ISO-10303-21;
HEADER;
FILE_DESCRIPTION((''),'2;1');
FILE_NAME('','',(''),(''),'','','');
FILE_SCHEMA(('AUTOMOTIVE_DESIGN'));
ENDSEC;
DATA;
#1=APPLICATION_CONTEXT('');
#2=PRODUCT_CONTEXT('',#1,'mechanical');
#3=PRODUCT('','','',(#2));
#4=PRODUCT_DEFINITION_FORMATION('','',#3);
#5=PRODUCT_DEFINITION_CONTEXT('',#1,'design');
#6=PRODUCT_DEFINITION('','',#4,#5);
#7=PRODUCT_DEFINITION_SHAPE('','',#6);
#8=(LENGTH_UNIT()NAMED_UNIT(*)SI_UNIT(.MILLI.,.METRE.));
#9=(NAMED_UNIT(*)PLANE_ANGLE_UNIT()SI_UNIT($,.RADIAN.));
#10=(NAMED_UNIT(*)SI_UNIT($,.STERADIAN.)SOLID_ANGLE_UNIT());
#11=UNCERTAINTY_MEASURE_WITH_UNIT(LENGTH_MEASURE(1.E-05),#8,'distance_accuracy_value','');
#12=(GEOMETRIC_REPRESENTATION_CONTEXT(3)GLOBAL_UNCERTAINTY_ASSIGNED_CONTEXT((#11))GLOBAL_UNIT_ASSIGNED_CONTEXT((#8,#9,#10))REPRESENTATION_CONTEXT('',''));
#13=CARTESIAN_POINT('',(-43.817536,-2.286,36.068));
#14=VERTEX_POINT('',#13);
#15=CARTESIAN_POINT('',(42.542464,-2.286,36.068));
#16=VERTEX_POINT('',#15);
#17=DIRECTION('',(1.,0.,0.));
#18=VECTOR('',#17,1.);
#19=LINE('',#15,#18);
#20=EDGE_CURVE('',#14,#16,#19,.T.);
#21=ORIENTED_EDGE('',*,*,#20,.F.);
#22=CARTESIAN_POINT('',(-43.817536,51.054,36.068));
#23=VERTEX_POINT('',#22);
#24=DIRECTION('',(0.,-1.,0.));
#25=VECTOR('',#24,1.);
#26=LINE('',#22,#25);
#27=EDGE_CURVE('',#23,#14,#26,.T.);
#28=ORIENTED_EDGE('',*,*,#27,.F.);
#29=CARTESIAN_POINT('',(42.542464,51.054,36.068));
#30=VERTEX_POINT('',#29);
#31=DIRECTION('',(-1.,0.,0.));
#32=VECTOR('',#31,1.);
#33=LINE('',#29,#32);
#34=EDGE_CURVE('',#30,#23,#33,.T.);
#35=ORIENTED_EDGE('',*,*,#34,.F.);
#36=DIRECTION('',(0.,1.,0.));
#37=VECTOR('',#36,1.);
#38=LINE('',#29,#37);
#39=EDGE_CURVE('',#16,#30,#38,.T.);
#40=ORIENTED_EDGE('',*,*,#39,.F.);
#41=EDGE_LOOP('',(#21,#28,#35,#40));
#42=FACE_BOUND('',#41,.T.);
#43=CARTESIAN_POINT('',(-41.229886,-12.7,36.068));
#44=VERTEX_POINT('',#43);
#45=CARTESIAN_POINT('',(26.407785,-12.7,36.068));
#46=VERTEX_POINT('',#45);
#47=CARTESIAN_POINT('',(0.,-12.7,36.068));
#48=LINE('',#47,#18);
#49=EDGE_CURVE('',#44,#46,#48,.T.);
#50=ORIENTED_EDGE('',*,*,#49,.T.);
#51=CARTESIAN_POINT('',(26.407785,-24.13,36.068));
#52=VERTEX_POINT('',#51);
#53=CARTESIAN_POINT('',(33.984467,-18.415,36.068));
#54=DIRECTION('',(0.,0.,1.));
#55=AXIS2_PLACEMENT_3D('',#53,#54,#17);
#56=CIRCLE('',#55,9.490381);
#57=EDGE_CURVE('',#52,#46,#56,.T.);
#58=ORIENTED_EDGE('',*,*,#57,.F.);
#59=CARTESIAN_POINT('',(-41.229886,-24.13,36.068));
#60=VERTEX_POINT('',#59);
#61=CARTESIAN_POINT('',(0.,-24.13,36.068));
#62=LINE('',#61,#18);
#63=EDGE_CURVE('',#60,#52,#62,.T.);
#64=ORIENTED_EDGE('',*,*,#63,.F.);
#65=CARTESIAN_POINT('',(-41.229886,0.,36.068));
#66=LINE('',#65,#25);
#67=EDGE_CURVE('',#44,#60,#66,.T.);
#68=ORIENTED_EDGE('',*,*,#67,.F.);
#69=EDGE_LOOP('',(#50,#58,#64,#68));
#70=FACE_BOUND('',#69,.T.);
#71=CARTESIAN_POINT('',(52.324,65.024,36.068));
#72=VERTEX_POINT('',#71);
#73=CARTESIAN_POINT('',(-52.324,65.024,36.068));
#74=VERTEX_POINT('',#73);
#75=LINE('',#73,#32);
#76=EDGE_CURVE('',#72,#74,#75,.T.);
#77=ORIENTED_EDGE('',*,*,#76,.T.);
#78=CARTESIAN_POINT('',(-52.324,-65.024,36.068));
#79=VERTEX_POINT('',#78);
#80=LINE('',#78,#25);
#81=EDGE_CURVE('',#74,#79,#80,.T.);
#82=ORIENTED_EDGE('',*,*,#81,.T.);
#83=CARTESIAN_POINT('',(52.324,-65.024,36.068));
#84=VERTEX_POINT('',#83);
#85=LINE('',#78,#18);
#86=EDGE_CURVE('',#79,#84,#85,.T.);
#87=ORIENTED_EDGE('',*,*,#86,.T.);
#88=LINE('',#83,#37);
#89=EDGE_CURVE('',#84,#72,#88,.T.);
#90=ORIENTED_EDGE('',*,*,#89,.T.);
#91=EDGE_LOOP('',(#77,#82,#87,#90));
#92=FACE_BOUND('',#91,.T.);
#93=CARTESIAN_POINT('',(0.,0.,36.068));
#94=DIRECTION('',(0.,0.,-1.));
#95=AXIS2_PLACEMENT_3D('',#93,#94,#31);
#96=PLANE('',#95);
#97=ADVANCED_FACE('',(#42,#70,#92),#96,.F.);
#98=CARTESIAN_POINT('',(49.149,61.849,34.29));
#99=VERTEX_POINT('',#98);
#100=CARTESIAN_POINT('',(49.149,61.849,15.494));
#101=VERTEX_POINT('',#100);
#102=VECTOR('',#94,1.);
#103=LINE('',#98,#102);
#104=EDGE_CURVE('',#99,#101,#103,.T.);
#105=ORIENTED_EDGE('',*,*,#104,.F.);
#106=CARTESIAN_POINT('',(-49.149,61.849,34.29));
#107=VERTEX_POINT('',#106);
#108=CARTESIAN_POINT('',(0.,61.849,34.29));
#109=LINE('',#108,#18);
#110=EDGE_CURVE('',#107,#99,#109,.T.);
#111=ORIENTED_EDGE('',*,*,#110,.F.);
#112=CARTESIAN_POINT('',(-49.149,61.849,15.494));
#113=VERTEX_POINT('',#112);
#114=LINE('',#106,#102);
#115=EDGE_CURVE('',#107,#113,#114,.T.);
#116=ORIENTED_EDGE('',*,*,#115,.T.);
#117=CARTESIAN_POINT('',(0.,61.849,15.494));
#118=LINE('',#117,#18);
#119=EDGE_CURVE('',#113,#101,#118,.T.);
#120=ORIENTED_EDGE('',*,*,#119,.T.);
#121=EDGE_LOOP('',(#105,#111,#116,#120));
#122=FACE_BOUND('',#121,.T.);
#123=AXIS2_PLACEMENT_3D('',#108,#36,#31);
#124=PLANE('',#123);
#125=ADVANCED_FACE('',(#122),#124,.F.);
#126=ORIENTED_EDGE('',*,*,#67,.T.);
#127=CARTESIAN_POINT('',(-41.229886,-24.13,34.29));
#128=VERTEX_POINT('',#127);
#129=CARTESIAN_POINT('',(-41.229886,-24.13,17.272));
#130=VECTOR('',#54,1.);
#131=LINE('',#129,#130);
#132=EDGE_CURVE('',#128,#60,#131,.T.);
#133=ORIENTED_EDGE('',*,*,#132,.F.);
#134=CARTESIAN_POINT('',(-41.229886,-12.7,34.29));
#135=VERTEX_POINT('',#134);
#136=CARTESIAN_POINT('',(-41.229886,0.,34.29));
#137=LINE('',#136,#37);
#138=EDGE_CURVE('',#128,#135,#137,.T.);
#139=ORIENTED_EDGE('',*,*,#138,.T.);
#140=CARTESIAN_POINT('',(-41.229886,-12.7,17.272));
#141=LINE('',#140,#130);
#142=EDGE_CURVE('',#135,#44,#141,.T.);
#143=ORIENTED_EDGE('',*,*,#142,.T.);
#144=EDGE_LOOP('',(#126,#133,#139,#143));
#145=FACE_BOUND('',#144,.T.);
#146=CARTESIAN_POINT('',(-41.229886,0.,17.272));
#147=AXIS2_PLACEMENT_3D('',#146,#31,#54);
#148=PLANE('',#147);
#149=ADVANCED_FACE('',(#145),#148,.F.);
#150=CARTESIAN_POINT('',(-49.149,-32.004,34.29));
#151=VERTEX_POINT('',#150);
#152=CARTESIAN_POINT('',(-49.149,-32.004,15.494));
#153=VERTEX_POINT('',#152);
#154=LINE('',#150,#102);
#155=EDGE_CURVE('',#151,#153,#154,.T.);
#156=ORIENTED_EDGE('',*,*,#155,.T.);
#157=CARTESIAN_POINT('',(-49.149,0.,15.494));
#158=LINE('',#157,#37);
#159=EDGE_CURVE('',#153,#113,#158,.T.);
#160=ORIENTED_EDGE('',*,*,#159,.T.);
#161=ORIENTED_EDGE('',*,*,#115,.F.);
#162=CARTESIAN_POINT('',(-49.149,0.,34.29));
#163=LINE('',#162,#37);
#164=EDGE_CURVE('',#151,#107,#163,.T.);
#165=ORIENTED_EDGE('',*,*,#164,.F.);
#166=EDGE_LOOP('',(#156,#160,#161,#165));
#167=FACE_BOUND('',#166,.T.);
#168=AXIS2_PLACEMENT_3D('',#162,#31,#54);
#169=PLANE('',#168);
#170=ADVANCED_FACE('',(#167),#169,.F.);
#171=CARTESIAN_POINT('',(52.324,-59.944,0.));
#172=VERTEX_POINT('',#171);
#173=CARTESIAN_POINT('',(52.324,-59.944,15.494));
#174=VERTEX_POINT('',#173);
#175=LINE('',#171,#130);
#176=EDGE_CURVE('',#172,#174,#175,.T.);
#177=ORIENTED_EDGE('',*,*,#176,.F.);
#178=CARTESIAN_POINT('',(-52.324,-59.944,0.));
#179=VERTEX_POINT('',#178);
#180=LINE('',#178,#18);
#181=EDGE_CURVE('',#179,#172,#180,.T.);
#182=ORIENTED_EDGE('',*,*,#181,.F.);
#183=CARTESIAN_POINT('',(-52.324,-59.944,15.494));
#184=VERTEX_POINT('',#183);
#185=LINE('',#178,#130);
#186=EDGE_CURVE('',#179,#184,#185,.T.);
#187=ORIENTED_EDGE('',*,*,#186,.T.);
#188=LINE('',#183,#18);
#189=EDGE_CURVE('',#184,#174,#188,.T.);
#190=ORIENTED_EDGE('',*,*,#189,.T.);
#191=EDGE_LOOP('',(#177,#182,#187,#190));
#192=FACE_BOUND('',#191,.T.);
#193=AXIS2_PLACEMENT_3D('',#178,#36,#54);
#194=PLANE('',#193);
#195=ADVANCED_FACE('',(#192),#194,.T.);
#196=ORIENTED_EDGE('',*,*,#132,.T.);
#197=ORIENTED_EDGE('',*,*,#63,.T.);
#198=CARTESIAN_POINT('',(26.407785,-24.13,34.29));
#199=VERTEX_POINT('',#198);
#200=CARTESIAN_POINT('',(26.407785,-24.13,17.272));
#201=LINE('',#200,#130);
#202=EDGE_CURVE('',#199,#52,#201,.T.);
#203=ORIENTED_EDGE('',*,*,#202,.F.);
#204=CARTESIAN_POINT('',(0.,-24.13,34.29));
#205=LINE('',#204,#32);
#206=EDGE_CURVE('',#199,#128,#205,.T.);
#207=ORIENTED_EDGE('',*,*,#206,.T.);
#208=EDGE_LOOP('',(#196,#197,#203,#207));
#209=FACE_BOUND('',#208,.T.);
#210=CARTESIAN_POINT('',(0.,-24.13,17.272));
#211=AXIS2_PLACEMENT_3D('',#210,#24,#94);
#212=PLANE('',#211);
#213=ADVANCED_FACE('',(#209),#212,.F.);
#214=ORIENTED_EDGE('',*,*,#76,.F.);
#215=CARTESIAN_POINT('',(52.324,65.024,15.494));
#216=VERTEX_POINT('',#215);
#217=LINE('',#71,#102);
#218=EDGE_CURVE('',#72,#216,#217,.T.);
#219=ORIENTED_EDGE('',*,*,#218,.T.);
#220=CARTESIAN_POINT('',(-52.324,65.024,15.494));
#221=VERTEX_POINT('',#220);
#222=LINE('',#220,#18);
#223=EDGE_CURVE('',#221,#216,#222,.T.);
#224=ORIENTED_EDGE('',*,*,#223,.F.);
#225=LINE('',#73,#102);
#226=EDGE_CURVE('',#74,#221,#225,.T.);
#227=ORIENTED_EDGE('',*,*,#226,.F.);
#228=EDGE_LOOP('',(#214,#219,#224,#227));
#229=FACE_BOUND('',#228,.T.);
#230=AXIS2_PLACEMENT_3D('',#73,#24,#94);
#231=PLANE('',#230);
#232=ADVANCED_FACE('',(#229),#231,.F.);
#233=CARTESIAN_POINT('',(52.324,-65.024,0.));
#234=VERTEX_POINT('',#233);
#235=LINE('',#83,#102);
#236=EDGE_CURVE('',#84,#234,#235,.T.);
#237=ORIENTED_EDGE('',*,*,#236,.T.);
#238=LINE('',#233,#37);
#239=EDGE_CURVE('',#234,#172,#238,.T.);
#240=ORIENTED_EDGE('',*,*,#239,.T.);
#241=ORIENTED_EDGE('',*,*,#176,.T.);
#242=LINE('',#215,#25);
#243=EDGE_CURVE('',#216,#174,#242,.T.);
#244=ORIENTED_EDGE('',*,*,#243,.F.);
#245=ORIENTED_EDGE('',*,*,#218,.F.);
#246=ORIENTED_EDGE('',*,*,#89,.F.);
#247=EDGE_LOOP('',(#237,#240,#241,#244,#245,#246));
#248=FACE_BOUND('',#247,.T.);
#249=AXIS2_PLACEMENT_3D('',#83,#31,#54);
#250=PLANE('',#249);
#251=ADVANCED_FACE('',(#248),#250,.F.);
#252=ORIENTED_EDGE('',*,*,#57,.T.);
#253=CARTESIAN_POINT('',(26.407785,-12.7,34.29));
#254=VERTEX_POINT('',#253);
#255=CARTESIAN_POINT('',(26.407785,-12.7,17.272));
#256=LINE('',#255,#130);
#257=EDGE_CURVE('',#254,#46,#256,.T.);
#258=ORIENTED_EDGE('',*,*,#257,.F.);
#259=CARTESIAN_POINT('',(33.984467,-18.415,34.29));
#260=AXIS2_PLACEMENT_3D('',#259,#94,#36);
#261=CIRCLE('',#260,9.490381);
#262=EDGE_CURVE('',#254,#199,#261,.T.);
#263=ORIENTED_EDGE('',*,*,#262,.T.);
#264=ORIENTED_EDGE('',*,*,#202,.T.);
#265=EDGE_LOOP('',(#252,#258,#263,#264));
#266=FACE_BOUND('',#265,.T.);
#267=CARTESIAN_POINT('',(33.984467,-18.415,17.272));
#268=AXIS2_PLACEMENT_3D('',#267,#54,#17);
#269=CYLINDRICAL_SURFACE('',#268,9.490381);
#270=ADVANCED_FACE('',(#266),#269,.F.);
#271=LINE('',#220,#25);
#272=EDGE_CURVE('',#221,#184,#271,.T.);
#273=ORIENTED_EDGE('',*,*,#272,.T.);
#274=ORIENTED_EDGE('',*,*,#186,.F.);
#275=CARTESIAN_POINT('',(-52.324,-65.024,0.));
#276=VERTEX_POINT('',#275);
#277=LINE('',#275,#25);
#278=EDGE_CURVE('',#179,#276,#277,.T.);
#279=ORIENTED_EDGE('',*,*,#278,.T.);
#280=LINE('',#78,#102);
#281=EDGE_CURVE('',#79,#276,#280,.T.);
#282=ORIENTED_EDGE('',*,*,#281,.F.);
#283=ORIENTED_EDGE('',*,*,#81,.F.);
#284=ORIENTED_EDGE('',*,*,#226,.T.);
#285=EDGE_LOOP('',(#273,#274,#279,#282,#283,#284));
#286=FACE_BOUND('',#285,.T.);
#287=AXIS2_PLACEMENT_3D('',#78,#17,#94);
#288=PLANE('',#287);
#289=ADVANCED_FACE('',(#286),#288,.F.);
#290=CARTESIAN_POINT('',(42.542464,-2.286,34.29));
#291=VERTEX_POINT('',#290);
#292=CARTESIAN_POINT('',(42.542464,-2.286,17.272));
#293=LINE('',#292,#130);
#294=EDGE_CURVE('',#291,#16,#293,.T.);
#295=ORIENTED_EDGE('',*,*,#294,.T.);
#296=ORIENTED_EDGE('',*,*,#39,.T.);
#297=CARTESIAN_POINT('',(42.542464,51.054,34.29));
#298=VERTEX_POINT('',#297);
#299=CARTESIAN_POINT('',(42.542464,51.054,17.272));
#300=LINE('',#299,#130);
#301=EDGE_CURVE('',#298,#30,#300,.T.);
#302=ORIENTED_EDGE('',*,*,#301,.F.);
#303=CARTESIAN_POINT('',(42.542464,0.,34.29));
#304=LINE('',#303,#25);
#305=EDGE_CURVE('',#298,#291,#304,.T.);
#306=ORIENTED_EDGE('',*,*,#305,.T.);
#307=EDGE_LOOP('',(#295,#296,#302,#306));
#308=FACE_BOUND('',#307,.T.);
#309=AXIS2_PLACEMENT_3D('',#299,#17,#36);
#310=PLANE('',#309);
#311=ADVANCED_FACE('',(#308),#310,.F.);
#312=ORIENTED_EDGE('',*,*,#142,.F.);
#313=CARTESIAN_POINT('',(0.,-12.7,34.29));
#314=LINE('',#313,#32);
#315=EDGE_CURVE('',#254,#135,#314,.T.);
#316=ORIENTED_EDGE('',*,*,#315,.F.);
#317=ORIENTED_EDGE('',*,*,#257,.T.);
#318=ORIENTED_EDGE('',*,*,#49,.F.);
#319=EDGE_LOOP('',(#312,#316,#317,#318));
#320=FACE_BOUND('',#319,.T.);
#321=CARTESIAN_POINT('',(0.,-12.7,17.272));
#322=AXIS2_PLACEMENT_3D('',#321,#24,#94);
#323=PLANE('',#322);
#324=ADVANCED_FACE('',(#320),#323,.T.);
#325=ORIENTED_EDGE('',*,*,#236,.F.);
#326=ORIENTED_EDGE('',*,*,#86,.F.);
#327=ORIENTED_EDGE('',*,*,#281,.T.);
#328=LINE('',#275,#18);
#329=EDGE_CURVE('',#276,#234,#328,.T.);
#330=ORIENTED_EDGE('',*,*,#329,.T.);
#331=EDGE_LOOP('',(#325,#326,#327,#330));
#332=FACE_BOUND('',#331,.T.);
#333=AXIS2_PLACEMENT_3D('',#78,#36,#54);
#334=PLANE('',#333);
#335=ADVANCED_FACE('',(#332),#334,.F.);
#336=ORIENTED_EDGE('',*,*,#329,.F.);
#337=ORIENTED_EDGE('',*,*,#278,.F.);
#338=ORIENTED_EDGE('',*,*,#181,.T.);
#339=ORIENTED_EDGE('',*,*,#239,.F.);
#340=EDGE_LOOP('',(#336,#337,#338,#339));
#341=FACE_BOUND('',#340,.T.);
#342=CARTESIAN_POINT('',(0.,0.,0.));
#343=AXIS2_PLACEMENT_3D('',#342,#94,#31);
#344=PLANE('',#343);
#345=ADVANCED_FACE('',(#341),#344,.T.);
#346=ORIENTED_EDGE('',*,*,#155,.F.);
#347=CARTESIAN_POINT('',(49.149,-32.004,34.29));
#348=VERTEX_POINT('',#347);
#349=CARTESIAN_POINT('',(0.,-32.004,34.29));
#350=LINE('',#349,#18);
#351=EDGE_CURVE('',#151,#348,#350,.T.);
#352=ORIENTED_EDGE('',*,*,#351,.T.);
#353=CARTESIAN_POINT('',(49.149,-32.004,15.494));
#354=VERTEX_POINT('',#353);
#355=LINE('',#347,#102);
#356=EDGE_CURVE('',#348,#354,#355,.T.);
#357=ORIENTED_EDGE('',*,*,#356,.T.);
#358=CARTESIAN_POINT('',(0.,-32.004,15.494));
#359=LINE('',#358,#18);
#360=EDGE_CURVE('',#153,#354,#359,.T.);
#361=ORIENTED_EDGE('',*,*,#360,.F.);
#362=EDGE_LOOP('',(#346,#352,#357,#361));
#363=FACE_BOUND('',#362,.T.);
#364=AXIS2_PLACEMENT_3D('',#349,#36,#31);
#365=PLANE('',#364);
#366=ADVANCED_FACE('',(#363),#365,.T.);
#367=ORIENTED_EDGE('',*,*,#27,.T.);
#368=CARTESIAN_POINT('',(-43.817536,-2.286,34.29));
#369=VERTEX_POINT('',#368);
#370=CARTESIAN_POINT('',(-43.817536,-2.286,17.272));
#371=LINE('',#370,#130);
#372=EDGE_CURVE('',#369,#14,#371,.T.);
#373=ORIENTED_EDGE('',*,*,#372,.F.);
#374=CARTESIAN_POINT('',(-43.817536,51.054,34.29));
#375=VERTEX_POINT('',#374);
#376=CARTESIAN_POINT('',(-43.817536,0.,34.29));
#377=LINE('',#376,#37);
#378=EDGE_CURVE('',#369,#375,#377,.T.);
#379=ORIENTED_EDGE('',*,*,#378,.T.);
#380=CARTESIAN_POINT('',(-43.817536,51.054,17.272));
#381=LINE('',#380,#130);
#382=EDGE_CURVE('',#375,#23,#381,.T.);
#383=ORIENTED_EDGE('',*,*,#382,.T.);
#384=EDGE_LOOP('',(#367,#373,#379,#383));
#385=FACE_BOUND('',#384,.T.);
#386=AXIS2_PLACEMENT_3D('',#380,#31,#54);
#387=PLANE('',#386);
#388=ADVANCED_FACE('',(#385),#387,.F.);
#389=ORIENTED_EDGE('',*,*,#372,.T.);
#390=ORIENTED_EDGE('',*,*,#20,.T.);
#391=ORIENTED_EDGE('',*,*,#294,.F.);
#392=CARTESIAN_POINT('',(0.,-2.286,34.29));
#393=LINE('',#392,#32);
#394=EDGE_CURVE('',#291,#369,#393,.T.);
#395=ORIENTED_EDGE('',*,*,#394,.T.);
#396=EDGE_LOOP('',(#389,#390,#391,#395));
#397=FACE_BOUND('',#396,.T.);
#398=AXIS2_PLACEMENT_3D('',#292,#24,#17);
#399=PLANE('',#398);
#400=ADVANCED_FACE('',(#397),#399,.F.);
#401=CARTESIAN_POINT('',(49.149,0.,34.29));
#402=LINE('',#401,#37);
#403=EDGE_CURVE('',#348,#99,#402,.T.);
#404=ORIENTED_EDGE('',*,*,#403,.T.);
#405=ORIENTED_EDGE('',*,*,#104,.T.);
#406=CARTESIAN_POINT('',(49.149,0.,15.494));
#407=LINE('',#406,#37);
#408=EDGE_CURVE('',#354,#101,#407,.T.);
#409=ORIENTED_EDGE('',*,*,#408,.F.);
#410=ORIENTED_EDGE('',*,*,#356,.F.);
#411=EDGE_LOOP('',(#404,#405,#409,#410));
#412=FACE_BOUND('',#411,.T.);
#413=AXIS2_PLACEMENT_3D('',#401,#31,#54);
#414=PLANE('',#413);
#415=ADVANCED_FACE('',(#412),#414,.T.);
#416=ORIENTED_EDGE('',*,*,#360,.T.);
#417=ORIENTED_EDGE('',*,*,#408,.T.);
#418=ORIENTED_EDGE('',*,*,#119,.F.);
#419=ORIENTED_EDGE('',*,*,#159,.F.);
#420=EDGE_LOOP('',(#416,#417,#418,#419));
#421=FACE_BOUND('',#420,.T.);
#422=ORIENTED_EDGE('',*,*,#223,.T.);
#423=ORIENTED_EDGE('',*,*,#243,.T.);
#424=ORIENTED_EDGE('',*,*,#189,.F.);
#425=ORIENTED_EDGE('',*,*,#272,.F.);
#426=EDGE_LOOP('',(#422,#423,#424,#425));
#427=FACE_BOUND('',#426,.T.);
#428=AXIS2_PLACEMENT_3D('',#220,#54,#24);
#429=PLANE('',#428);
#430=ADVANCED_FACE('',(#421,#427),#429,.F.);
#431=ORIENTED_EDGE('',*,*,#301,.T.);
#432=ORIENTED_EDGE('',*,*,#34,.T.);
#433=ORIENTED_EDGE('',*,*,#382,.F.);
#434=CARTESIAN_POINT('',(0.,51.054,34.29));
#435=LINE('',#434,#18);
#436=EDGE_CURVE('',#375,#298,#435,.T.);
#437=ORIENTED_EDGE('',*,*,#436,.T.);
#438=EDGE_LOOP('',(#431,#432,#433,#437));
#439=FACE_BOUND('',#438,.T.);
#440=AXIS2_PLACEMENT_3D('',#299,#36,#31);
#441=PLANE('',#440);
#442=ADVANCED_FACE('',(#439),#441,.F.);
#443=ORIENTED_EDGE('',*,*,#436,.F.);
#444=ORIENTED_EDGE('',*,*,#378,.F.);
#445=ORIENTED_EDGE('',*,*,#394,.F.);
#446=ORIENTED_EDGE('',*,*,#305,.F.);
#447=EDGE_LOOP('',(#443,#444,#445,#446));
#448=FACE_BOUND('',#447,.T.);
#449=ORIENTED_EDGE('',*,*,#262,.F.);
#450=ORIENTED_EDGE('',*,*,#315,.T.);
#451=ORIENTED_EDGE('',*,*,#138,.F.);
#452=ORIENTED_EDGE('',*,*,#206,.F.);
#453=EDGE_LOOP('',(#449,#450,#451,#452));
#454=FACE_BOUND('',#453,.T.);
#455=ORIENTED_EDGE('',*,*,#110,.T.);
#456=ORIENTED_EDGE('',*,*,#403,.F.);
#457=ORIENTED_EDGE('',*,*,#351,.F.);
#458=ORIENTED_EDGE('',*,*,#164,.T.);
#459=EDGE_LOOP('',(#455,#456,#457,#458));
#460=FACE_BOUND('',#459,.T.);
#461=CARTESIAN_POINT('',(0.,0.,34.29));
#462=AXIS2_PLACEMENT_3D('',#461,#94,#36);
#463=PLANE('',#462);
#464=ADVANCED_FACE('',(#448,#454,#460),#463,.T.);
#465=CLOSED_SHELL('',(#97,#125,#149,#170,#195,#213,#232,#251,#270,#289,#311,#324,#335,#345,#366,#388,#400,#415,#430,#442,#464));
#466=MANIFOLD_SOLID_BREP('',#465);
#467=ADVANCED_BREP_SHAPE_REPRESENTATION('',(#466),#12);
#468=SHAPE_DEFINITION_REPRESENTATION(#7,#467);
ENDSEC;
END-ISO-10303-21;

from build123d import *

# Parameters (mm, degrees)
SKETCH1_W           = 104.648
SKETCH1_H           = 130.048
BOSS_EXTRUDE1_DEPTH = 36.068
SKETCH2_W           = 15.494
SKETCH2_H           = 124.968
CUT_EXTRUDE1_DEPTH  = 129.375329032
SKETCH3_W           = 98.298
SKETCH3_H           = 93.853
CUT_EXTRUDE2_DEPTH  = 18.796
SKETCH4_W           = 86.36
SKETCH4_H           = 53.34
CUT_EXTRUDE3_DEPTH  = 18.796
CUT_EXTRUDE4_DEPTH  = 18.796


with BuildPart() as part:
    # Sketch1 → Boss-Extrude1 (new body)
    with BuildSketch(Plane.XY):
        Rectangle(SKETCH1_W, SKETCH1_H)
    extrude(amount=BOSS_EXTRUDE1_DEPTH)

    # Sketch2 → Cut-Extrude1 (cut, through all)
    with BuildSketch(Plane(origin=(52.324, 0, 0), x_dir=(0, 0, -1), z_dir=(1, 0, 0))):
        with Locations((-7.747, 2.54)):
            Rectangle(SKETCH2_W, SKETCH2_H)
    extrude(amount=-CUT_EXTRUDE1_DEPTH, mode=Mode.SUBTRACT)

    # Sketch3 → Cut-Extrude2 (cut)
    with BuildSketch(Plane(origin=(0, 0, 15.494), x_dir=(-1, 0, 0), z_dir=(0, 0, -1))):
        with Locations((0, 14.9225)):
            Rectangle(SKETCH3_W, SKETCH3_H)
    extrude(amount=-CUT_EXTRUDE2_DEPTH, mode=Mode.SUBTRACT)

    # Sketch4 → Cut-Extrude3 (cut)
    with BuildSketch(Plane.XY.offset(36.068)):
        with Locations((-0.637536215, 24.384)):
            Rectangle(SKETCH4_W, SKETCH4_H)
    extrude(amount=-CUT_EXTRUDE3_DEPTH, mode=Mode.SUBTRACT)

    # Sketch5 → Cut-Extrude4 (cut)
    with BuildSketch(Plane.XY.offset(36.068)):
        with BuildLine():
            ThreePointArc((43.47484815, -18.415), (36.997914828, -9.415751935), (26.407785194, -12.7))
            Line((26.407785194, -12.7), (40.558113562, -12.7))
            Line((40.558113562, -12.7), (40.558113562, -24.13))
            Line((40.558113562, -24.13), (26.407785194, -24.13))
            ThreePointArc((26.407785194, -24.13), (36.997914828, -27.414248065), (43.47484815, -18.415))
        make_face()
        with BuildLine():
            Line((40.558113562, -12.7), (26.407785194, -12.7))
            ThreePointArc((26.407785194, -12.7), (24.494085978, -18.415), (26.407785194, -24.13))
            Line((26.407785194, -24.13), (40.558113562, -24.13))
            Line((40.558113562, -24.13), (40.558113562, -12.7))
        make_face()
        with BuildLine():
            Line((26.407785194, -12.7), (-41.229886438, -12.7))
            Line((-41.229886438, -12.7), (-41.229886438, -24.13))
            Line((-41.229886438, -24.13), (26.407785194, -24.13))
            ThreePointArc((26.407785194, -24.13), (24.494085978, -18.415), (26.407785194, -12.7))
        make_face()
    extrude(amount=-CUT_EXTRUDE4_DEPTH, mode=Mode.SUBTRACT)


solid = part.part
